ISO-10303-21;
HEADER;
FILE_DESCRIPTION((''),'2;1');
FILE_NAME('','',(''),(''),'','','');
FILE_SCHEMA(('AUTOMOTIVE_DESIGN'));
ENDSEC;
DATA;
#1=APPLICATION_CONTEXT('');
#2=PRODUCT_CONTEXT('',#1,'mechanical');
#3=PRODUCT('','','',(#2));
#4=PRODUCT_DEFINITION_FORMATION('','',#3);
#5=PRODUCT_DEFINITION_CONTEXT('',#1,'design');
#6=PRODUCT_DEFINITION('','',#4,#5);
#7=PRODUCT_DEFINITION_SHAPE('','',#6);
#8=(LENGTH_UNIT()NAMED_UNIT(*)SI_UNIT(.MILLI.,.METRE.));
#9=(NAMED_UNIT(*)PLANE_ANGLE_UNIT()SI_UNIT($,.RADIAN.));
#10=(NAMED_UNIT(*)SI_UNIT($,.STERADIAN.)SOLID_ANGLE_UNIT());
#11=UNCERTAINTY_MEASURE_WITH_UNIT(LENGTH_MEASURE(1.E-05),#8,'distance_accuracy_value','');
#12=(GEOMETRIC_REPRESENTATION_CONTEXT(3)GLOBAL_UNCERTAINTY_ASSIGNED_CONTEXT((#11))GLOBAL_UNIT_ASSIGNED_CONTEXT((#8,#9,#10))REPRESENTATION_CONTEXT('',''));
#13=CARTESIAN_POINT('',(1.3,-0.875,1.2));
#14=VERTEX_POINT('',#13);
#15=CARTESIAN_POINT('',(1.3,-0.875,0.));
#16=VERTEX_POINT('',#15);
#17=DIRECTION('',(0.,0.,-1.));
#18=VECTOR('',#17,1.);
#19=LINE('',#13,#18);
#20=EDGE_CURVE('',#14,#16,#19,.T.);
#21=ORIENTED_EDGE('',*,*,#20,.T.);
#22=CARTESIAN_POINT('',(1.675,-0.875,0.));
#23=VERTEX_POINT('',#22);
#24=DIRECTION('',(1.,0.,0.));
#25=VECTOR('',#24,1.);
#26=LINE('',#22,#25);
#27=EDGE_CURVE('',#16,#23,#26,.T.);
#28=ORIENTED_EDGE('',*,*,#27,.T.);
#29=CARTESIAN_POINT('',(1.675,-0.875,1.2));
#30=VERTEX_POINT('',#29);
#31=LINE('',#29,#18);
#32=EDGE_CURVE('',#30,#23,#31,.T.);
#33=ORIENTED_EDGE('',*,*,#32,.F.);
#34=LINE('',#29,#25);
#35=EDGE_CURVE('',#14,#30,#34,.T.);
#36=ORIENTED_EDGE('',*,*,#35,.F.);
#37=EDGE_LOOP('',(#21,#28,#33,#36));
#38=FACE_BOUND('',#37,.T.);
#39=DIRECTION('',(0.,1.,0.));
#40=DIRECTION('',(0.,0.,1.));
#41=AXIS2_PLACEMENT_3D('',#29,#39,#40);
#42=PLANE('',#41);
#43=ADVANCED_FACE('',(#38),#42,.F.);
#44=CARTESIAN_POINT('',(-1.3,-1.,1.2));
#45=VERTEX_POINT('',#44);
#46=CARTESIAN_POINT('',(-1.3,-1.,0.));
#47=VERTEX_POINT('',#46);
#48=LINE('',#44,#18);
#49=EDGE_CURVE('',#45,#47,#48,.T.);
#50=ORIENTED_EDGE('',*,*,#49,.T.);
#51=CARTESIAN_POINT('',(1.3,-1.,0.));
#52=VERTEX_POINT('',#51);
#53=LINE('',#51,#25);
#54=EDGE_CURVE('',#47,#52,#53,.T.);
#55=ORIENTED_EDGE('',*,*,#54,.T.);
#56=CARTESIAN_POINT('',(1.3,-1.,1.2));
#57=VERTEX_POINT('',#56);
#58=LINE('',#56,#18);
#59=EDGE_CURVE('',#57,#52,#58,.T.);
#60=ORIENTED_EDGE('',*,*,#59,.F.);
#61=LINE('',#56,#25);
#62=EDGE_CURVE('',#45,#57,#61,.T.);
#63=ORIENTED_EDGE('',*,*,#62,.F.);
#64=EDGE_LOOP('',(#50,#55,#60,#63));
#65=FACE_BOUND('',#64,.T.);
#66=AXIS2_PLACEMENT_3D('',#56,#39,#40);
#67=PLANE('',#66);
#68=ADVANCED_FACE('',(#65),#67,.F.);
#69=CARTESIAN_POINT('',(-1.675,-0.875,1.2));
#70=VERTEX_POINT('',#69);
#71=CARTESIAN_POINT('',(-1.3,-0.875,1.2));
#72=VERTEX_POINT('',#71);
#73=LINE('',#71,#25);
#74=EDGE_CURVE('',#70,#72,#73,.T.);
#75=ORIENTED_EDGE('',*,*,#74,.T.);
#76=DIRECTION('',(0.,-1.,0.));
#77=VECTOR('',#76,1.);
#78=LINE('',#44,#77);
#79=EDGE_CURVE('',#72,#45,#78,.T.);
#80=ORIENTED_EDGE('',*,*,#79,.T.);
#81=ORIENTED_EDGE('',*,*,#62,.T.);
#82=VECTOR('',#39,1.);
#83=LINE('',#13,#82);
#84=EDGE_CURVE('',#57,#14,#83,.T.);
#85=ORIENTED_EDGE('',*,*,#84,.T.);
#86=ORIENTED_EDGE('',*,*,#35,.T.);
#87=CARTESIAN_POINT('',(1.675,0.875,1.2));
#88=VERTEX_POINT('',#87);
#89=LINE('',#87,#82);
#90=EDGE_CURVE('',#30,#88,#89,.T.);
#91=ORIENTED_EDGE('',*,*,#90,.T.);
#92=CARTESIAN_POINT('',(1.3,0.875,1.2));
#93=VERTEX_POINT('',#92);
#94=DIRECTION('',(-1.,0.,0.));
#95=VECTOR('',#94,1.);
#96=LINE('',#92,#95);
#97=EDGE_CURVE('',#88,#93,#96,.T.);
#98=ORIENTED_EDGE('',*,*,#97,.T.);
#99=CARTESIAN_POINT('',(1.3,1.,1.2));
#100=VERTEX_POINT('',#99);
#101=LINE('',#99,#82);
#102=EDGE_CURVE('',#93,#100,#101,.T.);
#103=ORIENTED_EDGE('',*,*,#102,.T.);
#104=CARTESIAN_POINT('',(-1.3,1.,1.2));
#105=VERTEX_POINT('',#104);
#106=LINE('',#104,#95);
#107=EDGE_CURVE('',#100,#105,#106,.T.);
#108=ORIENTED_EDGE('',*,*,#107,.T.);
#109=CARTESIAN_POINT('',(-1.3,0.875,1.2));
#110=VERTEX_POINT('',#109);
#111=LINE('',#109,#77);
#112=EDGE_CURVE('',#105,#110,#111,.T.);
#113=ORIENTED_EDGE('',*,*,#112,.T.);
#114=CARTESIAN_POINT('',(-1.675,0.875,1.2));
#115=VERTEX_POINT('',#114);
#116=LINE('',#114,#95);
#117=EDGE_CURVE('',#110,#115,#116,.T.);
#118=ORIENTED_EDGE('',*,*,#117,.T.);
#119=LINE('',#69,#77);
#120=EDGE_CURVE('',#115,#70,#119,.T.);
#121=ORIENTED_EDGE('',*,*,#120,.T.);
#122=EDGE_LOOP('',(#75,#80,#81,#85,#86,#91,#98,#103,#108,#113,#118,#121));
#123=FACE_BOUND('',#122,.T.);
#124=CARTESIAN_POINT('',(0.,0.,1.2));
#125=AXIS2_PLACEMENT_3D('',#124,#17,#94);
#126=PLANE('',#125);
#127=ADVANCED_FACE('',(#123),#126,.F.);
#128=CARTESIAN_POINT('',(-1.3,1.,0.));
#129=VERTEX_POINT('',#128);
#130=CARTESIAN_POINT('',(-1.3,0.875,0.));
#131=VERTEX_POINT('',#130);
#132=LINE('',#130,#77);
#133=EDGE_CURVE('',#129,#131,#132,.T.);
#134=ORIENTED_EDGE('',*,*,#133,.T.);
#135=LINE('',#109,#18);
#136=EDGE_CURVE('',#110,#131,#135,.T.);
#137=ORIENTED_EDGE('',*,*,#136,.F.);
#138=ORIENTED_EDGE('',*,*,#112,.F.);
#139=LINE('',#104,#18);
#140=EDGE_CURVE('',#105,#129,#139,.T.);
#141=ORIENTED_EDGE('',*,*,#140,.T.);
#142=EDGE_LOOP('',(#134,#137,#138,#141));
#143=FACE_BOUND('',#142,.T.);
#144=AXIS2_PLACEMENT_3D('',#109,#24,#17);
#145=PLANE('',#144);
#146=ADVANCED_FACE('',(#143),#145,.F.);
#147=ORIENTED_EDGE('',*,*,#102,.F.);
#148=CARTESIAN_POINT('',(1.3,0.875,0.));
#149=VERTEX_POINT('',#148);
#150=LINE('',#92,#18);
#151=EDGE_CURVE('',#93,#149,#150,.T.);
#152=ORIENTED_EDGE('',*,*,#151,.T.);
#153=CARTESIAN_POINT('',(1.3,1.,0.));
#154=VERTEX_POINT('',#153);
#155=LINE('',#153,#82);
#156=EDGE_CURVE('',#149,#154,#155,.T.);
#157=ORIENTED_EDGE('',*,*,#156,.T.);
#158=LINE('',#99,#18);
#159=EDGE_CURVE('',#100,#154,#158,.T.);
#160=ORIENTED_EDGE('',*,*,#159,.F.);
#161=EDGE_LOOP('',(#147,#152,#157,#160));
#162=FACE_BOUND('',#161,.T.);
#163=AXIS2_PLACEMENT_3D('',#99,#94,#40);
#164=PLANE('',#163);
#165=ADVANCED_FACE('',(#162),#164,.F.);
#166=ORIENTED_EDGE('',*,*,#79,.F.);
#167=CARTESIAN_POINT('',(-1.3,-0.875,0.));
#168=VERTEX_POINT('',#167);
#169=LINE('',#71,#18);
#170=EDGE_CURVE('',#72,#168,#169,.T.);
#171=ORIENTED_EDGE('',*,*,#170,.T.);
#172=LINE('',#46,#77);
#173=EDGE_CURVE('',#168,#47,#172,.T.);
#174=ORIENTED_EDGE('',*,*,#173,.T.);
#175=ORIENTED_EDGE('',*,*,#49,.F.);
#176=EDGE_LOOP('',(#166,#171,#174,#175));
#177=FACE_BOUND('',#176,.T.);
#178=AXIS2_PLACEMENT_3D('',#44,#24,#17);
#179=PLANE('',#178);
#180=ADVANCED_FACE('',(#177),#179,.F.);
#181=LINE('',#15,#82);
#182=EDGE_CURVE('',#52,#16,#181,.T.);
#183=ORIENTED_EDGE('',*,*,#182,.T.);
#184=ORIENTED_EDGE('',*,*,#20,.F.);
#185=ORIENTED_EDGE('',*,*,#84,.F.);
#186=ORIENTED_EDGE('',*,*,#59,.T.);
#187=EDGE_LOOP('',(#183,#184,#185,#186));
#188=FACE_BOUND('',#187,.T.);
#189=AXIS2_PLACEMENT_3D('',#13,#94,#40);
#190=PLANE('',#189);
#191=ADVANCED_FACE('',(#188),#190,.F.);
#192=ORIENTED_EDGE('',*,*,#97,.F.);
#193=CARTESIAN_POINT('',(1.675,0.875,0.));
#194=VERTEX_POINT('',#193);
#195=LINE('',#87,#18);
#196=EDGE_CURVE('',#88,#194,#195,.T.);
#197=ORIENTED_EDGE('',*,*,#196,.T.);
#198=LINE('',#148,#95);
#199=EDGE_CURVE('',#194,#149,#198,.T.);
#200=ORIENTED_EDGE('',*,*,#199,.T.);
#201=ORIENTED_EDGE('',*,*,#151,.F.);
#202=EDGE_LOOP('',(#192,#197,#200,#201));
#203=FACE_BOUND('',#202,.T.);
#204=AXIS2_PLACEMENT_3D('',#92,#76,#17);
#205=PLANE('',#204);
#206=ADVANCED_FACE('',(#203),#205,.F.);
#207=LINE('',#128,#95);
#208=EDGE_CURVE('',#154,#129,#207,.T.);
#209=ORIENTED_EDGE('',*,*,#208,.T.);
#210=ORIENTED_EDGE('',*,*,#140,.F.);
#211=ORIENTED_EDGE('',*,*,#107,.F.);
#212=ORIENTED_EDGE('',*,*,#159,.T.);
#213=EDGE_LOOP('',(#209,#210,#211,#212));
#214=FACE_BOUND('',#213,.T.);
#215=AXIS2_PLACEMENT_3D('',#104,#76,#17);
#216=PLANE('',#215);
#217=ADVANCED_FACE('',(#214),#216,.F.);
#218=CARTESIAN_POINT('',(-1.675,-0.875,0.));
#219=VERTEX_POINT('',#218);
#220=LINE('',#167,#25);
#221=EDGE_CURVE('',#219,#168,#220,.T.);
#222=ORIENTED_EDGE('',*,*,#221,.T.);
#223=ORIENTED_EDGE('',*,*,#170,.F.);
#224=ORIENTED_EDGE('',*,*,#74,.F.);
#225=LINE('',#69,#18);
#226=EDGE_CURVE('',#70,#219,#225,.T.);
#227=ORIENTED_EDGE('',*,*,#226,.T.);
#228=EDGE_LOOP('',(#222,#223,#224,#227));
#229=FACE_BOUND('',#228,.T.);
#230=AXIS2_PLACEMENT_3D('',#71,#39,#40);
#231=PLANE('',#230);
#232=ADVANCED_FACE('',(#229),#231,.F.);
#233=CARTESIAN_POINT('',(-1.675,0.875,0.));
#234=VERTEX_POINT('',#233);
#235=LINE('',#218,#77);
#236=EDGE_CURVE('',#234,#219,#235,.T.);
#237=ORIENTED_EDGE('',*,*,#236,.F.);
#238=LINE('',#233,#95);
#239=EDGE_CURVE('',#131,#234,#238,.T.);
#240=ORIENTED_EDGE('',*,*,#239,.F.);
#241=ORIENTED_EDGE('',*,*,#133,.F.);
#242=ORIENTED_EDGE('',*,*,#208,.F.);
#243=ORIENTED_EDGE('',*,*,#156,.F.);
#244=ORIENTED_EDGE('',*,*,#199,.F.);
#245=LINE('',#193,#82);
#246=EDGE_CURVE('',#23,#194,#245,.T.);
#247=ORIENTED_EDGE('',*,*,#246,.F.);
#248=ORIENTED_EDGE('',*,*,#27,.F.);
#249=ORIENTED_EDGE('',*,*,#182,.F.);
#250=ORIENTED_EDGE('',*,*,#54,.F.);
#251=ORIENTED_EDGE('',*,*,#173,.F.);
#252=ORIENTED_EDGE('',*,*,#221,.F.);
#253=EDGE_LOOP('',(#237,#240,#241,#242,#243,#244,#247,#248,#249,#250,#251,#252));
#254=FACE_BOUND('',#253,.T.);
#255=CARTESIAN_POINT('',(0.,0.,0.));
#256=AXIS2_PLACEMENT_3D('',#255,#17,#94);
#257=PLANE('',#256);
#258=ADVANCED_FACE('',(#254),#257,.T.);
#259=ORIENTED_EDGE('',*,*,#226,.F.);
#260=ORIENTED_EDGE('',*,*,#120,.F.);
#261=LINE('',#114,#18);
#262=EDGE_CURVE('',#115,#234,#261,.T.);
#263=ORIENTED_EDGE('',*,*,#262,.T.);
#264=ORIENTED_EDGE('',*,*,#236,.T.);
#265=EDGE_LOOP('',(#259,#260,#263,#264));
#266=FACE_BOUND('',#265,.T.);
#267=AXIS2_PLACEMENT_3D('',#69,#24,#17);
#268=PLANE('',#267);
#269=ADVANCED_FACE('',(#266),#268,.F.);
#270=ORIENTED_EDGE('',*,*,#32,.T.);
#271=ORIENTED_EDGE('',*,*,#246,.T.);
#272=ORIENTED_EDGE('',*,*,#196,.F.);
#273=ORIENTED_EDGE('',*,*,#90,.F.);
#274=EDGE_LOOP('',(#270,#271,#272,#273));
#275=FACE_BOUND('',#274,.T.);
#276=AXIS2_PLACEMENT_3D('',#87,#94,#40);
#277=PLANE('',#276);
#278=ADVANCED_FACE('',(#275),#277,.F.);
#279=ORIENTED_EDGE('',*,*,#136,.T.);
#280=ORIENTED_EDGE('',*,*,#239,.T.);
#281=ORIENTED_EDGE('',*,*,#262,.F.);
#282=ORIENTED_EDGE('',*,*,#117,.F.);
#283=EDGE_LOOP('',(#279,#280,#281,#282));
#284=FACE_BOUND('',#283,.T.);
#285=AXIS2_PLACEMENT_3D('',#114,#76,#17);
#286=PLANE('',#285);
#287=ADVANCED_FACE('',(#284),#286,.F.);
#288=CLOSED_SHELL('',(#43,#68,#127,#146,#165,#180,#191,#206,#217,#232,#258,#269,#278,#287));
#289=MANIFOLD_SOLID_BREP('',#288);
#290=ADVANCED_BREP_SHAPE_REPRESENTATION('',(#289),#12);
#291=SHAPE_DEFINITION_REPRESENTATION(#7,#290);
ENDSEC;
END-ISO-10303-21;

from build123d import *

# Parameters (mm, degrees)
COMPONENT_OUTLINE_DEPTH = 1.2


with BuildPart() as part:
    # 草图1 → Component_Outline (new body)
    with BuildSketch(Plane.XY):
        Polygon((-1.3, -1), (-1.3, -0.875), (-1.675, -0.875), (-1.675, 0.875), (-1.3, 0.875), (-1.3, 1), (1.3, 1), (1.3, 0.875), (1.675, 0.875), (1.675, -0.875), (1.3, -0.875), (1.3, -1), align=None)
    extrude(amount=COMPONENT_OUTLINE_DEPTH)


solid = part.part
